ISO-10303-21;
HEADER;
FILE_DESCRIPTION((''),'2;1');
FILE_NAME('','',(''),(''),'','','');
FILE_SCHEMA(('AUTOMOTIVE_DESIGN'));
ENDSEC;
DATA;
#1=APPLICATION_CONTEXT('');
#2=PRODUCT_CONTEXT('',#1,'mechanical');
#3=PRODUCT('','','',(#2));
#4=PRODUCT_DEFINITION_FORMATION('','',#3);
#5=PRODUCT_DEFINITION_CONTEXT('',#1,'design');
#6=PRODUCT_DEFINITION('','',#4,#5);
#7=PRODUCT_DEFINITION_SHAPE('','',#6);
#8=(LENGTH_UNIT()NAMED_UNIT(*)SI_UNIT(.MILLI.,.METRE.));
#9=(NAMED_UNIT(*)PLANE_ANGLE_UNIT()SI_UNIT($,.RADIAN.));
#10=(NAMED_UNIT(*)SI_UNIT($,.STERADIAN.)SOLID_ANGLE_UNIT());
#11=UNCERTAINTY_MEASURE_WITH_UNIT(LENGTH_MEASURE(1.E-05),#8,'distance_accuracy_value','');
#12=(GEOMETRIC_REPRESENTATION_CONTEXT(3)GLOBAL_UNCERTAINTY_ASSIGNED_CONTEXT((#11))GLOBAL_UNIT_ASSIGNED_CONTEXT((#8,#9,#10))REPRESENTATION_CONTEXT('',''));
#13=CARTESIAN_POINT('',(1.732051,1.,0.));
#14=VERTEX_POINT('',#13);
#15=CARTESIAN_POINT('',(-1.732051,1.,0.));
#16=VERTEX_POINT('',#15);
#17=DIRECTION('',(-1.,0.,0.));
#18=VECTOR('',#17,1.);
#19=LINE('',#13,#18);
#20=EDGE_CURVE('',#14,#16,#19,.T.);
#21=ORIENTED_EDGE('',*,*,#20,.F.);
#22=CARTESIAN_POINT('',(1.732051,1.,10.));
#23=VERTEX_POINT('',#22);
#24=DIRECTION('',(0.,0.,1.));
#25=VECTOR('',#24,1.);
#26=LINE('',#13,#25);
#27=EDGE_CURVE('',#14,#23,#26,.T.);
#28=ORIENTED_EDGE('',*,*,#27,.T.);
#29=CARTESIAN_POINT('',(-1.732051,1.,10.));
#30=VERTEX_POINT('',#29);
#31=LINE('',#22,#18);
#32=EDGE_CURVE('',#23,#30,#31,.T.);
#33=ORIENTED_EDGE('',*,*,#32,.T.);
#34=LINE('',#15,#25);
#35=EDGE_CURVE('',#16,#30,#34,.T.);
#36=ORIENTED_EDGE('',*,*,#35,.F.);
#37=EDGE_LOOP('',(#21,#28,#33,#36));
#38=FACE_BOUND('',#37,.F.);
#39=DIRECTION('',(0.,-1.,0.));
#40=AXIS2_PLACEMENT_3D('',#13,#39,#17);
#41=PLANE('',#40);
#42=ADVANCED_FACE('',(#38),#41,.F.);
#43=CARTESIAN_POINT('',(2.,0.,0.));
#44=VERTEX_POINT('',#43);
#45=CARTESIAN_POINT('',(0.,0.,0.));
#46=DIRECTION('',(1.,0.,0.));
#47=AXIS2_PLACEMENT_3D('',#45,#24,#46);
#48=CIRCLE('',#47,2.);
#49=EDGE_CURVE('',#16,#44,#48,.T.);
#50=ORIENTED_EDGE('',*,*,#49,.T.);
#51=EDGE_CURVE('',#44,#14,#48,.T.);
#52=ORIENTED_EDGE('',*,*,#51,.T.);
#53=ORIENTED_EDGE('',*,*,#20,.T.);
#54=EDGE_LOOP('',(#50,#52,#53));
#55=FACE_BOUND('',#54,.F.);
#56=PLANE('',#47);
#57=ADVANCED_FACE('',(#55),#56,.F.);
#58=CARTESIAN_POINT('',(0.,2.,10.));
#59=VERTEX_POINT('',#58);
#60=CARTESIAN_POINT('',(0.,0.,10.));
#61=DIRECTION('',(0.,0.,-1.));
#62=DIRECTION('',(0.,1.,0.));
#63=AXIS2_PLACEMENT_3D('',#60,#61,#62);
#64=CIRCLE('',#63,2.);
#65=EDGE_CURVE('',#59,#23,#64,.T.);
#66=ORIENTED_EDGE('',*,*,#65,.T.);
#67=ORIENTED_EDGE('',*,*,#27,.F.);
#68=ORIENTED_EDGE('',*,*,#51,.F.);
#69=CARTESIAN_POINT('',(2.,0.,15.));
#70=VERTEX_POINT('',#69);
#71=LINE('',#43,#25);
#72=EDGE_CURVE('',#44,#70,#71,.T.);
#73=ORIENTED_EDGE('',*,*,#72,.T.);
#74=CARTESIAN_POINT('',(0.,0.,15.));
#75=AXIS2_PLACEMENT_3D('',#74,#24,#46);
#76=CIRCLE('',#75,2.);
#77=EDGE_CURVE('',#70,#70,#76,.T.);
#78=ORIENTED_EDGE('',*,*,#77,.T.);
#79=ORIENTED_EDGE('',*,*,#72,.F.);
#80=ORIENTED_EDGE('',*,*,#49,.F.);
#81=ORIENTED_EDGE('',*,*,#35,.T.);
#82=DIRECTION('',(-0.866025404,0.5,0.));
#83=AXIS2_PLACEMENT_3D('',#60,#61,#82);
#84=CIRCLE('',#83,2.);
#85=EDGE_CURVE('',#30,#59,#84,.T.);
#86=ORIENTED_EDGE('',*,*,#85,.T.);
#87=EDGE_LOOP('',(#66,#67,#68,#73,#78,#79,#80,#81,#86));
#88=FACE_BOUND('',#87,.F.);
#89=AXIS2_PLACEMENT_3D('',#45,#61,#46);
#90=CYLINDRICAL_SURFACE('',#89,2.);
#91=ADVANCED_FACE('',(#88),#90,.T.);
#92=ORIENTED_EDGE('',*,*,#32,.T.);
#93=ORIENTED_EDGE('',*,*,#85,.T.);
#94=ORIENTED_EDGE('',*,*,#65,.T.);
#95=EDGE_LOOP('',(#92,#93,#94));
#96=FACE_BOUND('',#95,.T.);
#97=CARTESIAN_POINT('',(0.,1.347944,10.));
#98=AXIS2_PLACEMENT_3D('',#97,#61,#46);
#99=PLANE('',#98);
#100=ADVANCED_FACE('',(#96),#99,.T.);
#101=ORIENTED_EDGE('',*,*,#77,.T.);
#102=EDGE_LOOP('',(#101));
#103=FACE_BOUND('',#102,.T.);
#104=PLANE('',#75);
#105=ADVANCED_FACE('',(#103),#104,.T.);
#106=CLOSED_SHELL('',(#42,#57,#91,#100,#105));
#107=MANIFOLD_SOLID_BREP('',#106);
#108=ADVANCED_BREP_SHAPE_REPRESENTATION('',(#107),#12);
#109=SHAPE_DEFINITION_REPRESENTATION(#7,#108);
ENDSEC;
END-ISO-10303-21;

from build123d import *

# Parameters (mm, degrees)
F0_R     = 2
F1_DEPTH = 15
F2_DEPTH = 10


with BuildPart() as f1:
    # F0 (on Top) → F1 (new body)
    with BuildSketch(Plane.XY):
        Circle(F0_R)
    extrude(amount=F1_DEPTH)

    # F3 (on face) → F2 (cut)
    with BuildSketch(Plane(origin=(0, 0, 0), x_dir=(1, 0, 0), z_dir=(0, 0, -1))):
        with BuildLine():
            ThreePointArc((-1.7320508076, -1), (-1, -1.7320508076), (0, -2))
            ThreePointArc((0, -2), (1, -1.7320508076), (1.7320508076, -1))
            Line((1.7320508076, -1), (-1.7320508076, -1))
        make_face()
    extrude(amount=-F2_DEPTH, mode=Mode.SUBTRACT)


solid = f1.part
